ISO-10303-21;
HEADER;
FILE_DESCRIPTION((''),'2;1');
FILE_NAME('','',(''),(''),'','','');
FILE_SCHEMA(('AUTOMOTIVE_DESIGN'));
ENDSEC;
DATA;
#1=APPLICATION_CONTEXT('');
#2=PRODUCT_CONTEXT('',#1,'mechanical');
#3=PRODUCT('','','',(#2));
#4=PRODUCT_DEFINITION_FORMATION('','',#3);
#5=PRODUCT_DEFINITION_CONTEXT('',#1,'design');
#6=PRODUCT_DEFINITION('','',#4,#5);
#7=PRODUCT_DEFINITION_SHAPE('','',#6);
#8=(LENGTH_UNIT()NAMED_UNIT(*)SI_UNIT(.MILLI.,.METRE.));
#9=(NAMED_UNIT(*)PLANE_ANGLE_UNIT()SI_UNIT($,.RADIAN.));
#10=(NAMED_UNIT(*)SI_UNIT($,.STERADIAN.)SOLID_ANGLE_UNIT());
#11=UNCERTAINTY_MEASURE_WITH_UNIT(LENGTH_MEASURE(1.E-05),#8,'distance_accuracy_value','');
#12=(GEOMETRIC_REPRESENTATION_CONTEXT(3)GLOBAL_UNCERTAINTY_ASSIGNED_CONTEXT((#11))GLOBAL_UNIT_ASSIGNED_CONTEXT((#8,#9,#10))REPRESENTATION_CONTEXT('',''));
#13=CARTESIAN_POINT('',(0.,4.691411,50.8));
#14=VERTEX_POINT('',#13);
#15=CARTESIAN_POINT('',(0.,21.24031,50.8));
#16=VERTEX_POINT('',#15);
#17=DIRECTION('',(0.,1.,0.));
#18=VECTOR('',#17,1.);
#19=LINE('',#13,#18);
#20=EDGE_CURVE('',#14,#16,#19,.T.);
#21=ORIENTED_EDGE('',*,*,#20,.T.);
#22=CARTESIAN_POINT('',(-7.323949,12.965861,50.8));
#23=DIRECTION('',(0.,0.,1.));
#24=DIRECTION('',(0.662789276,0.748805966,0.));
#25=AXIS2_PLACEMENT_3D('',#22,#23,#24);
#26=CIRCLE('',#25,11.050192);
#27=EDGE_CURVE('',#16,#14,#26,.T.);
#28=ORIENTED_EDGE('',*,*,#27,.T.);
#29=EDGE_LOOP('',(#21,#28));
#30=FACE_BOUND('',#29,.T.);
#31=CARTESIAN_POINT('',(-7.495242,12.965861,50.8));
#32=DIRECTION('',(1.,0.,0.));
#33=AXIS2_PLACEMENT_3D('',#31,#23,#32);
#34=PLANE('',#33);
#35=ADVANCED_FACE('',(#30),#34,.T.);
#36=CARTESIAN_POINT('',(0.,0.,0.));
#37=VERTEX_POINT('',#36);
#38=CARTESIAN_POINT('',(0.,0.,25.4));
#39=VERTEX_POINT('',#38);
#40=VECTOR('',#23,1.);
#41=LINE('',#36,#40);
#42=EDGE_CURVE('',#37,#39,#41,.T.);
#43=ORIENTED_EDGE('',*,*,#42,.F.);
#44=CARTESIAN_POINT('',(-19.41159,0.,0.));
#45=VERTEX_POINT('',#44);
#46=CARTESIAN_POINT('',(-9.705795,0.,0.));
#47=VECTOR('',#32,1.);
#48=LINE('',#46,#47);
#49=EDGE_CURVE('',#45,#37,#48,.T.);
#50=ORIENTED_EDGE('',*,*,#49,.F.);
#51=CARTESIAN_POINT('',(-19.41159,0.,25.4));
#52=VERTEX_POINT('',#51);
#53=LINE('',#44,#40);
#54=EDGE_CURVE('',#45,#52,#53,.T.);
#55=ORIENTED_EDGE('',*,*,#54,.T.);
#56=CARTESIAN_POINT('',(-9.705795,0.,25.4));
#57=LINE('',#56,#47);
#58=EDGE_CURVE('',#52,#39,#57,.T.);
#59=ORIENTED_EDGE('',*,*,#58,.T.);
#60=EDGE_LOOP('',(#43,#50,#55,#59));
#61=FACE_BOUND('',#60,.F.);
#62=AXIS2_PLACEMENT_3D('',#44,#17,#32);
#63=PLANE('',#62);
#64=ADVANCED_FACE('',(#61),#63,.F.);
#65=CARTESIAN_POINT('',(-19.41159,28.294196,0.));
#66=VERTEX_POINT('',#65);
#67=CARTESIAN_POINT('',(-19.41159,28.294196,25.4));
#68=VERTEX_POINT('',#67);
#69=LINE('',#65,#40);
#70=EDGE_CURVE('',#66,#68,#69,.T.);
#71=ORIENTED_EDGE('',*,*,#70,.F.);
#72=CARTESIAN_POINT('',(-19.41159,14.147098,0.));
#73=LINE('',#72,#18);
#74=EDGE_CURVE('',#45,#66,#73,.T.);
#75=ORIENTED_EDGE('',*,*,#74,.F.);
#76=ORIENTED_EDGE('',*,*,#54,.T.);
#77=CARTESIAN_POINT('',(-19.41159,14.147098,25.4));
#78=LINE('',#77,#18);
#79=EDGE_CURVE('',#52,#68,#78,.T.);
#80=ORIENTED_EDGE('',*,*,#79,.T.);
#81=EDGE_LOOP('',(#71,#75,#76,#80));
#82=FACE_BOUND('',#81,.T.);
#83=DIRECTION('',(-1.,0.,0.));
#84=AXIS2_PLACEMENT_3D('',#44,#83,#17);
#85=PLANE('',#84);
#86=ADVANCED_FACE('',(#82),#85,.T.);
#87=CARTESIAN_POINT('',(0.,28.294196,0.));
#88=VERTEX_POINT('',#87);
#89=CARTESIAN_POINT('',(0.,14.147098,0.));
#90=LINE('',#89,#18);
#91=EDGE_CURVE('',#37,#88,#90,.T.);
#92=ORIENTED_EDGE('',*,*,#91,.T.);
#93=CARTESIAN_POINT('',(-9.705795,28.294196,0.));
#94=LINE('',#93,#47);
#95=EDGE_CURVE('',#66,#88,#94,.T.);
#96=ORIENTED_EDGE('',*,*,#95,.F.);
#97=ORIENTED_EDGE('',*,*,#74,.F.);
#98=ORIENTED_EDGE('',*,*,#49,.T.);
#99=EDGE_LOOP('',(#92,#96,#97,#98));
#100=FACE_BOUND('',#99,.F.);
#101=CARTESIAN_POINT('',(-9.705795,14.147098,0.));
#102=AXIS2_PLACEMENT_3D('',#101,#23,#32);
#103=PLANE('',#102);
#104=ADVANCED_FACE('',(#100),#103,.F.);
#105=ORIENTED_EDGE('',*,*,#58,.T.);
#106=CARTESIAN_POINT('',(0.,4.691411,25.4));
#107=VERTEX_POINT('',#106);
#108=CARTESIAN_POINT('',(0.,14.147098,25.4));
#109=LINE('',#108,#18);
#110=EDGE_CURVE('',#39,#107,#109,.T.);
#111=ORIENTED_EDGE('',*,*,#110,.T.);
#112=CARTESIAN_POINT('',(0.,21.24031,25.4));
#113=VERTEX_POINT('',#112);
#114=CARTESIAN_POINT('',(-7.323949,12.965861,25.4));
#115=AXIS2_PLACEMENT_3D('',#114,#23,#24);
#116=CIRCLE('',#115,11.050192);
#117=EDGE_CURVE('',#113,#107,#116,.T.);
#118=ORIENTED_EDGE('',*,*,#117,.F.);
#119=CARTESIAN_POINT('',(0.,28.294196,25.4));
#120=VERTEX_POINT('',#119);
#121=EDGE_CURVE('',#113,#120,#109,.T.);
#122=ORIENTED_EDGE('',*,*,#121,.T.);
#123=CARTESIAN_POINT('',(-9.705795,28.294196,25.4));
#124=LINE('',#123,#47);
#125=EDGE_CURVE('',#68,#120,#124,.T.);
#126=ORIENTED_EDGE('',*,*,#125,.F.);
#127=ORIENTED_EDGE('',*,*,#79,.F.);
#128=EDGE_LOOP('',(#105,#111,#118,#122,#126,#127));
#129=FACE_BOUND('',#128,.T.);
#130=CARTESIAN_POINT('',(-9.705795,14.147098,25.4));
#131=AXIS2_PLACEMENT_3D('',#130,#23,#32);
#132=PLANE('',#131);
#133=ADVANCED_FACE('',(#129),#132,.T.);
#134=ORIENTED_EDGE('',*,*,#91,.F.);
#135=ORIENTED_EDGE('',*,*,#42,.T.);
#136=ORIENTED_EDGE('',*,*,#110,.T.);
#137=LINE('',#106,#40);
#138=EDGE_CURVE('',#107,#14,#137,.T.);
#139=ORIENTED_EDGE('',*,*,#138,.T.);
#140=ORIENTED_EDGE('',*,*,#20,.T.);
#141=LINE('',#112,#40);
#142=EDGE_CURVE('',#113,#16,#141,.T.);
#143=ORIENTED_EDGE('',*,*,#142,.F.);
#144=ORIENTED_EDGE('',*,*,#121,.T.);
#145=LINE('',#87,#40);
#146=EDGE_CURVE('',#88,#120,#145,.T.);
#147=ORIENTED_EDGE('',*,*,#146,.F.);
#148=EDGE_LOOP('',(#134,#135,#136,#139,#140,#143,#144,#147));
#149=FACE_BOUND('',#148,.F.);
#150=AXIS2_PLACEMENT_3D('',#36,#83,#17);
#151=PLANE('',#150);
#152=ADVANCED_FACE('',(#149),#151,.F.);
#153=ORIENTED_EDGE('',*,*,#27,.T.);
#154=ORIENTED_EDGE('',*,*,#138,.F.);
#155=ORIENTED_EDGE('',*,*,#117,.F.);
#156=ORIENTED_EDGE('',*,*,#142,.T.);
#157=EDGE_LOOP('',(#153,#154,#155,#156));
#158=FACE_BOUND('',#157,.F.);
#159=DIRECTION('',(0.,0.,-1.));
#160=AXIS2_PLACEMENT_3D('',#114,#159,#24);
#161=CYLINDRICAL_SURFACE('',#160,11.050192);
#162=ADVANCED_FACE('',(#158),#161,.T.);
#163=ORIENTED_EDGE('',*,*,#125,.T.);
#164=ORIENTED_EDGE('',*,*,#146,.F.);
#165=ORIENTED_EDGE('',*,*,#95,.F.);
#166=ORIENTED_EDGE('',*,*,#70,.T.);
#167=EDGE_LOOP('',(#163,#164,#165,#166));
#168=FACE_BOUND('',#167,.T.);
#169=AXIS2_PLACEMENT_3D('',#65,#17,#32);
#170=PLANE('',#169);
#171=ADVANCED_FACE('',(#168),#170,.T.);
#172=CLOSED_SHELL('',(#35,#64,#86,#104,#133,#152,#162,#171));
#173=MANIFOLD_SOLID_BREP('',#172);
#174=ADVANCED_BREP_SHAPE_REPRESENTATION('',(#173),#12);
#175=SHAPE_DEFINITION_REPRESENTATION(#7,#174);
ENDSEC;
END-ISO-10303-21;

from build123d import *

# Parameters (mm, degrees)
F0_W     = 19.4115899503
F0_H     = 28.2941963524
F1_DEPTH = 25.4
F3_DEPTH = 25.4


with BuildPart() as f1:
    # F0 (on Top) → F1 (new body)
    with BuildSketch(Plane.XY):
        with Locations((-9.7057949752, 14.1470981762)):
            Rectangle(F0_W, F0_H)
    extrude(amount=F1_DEPTH)

    # F2 (on face) → F3 (join)
    with BuildSketch(Plane.XY.offset(25.4)):
        with BuildLine():
            Line((0, 4.6914111863), (0, 21.2403103669))
            ThreePointArc((0, 21.2403103669), (-18.3741405241, 12.9658607766), (0, 4.6914111863))
        make_face()
    extrude(amount=F3_DEPTH)


solid = f1.part
